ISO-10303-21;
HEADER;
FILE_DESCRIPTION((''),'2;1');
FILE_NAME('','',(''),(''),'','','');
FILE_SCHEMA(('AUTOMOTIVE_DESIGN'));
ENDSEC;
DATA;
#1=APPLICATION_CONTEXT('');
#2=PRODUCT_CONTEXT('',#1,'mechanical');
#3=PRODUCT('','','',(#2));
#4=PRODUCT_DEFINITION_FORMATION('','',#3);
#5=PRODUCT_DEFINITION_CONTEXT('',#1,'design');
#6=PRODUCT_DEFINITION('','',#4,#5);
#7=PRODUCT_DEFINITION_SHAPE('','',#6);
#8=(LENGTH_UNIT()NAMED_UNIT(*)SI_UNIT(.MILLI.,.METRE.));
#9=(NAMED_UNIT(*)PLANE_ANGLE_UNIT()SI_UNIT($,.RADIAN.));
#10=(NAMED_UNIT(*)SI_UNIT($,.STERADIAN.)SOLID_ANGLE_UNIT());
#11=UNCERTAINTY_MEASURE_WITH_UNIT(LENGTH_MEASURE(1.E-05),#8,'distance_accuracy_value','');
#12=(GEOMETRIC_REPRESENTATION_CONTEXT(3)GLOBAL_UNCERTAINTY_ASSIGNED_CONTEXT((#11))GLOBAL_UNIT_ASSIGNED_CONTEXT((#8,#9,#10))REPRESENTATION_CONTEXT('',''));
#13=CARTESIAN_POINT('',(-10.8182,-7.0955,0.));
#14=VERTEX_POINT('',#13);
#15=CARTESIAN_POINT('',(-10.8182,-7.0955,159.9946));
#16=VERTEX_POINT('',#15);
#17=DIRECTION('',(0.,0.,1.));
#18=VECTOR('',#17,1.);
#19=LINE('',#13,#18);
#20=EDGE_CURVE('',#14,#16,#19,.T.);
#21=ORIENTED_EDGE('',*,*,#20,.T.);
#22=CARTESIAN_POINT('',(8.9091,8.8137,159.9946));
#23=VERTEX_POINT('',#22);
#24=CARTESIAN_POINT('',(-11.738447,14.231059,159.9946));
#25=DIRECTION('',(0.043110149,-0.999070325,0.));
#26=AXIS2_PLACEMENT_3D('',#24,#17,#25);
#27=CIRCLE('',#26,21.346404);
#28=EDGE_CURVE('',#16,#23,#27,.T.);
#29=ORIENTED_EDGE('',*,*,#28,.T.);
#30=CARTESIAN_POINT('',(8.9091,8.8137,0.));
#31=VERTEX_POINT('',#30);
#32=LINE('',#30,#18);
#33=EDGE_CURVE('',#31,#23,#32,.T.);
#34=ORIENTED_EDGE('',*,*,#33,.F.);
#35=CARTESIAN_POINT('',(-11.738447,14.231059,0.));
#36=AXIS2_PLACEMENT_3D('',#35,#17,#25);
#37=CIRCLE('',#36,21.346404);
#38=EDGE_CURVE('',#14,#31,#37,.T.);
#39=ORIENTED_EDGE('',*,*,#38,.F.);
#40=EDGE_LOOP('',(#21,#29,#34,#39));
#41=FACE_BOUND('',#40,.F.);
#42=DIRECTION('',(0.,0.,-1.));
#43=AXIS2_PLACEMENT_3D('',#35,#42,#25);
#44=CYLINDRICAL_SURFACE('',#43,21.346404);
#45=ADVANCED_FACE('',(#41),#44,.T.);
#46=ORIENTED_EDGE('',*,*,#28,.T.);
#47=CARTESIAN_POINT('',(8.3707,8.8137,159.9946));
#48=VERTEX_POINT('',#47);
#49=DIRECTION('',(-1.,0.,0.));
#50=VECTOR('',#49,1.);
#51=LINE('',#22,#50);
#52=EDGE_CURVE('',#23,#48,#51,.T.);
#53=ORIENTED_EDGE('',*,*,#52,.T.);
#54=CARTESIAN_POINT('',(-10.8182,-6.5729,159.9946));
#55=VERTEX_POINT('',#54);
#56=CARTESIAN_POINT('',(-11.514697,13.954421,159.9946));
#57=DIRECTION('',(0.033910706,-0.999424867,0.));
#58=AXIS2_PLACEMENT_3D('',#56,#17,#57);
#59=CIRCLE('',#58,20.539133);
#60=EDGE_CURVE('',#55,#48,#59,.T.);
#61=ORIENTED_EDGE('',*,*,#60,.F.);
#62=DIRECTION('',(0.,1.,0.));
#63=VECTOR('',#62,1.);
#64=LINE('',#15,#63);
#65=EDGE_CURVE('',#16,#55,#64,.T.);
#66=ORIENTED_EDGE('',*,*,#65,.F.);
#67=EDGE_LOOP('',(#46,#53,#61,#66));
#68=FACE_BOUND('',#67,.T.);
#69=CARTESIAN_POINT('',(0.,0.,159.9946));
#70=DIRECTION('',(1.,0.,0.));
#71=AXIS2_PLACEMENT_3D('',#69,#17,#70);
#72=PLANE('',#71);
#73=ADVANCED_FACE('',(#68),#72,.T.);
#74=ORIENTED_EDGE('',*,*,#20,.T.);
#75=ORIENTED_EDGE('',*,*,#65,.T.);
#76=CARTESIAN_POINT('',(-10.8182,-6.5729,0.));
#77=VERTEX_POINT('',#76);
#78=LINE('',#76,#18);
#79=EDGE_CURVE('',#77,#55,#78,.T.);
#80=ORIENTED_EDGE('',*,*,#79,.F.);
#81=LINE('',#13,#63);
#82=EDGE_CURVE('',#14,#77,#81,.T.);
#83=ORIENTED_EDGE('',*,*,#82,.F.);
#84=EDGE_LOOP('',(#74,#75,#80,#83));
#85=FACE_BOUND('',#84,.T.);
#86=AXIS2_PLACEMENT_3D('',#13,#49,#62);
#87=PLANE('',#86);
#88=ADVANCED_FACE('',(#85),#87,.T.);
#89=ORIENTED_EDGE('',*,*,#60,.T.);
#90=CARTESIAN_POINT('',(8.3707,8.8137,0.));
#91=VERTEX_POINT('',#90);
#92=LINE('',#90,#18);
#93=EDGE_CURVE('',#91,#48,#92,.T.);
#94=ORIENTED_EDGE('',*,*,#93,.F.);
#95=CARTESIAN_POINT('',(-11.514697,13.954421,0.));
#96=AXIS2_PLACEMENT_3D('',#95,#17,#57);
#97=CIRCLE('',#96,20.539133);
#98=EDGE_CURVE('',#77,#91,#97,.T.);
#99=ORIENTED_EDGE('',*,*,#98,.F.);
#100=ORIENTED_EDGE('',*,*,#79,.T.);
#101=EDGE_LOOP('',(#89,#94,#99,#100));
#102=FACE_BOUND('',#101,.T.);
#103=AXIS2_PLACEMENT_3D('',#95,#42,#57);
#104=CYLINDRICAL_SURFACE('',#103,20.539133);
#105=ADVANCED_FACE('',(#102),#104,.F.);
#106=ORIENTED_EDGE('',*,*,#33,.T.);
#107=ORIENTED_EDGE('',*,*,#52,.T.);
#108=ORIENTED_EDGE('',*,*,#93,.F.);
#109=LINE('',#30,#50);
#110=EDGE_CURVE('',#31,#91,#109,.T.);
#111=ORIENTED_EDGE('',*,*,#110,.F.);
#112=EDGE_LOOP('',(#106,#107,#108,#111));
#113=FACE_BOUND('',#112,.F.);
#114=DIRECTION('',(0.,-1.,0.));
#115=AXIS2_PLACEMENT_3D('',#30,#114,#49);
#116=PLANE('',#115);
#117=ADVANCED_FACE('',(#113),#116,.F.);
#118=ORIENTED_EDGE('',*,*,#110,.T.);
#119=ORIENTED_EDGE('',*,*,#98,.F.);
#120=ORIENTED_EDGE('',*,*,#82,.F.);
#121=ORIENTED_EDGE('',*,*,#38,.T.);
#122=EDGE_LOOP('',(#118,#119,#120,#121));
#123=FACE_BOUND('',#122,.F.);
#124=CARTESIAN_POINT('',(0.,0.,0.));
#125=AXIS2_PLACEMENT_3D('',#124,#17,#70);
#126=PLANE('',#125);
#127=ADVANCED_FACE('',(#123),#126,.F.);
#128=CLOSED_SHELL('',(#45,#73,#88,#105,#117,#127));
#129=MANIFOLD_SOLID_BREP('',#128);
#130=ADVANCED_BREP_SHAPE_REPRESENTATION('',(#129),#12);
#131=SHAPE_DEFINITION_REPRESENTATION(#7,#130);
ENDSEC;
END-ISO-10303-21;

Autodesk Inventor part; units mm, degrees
ref_plane "YZ Plane" through (0, 0, 0) normal (1, 0, 0) x (0, 1, 0)
ref_plane "XZ Plane" through (0, 0, 0) normal (0, 1, 0) x (-1, 0, 0)
ref_plane "XY Plane" through (0, 0, 0) normal (0, 0, 1) x (1, 0, 0)
sketch "Sketch1" plane through (0, 0, 0) normal (0, 0, 1) x (1, 0, 0)
  arc A0 (-10.8182, -7.0955) -> (8.9091, 8.8137) centre (-11.7385, 14.2312) ccw
  line L0 (-10.8182, -7.0955) -> (-10.8182, -6.5729)
  line L1 (8.9091, 8.8137) -> (8.3707, 8.8137)
  arc A1 (-10.8182, -6.5729) -> (8.3707, 8.8137) centre (-11.5148, 13.9547) ccw
  point P0 (0, 0)
extrude "Extrusion1" add sketch "Sketch1" along normal blind 159.9946
properties part number "Scoop"
